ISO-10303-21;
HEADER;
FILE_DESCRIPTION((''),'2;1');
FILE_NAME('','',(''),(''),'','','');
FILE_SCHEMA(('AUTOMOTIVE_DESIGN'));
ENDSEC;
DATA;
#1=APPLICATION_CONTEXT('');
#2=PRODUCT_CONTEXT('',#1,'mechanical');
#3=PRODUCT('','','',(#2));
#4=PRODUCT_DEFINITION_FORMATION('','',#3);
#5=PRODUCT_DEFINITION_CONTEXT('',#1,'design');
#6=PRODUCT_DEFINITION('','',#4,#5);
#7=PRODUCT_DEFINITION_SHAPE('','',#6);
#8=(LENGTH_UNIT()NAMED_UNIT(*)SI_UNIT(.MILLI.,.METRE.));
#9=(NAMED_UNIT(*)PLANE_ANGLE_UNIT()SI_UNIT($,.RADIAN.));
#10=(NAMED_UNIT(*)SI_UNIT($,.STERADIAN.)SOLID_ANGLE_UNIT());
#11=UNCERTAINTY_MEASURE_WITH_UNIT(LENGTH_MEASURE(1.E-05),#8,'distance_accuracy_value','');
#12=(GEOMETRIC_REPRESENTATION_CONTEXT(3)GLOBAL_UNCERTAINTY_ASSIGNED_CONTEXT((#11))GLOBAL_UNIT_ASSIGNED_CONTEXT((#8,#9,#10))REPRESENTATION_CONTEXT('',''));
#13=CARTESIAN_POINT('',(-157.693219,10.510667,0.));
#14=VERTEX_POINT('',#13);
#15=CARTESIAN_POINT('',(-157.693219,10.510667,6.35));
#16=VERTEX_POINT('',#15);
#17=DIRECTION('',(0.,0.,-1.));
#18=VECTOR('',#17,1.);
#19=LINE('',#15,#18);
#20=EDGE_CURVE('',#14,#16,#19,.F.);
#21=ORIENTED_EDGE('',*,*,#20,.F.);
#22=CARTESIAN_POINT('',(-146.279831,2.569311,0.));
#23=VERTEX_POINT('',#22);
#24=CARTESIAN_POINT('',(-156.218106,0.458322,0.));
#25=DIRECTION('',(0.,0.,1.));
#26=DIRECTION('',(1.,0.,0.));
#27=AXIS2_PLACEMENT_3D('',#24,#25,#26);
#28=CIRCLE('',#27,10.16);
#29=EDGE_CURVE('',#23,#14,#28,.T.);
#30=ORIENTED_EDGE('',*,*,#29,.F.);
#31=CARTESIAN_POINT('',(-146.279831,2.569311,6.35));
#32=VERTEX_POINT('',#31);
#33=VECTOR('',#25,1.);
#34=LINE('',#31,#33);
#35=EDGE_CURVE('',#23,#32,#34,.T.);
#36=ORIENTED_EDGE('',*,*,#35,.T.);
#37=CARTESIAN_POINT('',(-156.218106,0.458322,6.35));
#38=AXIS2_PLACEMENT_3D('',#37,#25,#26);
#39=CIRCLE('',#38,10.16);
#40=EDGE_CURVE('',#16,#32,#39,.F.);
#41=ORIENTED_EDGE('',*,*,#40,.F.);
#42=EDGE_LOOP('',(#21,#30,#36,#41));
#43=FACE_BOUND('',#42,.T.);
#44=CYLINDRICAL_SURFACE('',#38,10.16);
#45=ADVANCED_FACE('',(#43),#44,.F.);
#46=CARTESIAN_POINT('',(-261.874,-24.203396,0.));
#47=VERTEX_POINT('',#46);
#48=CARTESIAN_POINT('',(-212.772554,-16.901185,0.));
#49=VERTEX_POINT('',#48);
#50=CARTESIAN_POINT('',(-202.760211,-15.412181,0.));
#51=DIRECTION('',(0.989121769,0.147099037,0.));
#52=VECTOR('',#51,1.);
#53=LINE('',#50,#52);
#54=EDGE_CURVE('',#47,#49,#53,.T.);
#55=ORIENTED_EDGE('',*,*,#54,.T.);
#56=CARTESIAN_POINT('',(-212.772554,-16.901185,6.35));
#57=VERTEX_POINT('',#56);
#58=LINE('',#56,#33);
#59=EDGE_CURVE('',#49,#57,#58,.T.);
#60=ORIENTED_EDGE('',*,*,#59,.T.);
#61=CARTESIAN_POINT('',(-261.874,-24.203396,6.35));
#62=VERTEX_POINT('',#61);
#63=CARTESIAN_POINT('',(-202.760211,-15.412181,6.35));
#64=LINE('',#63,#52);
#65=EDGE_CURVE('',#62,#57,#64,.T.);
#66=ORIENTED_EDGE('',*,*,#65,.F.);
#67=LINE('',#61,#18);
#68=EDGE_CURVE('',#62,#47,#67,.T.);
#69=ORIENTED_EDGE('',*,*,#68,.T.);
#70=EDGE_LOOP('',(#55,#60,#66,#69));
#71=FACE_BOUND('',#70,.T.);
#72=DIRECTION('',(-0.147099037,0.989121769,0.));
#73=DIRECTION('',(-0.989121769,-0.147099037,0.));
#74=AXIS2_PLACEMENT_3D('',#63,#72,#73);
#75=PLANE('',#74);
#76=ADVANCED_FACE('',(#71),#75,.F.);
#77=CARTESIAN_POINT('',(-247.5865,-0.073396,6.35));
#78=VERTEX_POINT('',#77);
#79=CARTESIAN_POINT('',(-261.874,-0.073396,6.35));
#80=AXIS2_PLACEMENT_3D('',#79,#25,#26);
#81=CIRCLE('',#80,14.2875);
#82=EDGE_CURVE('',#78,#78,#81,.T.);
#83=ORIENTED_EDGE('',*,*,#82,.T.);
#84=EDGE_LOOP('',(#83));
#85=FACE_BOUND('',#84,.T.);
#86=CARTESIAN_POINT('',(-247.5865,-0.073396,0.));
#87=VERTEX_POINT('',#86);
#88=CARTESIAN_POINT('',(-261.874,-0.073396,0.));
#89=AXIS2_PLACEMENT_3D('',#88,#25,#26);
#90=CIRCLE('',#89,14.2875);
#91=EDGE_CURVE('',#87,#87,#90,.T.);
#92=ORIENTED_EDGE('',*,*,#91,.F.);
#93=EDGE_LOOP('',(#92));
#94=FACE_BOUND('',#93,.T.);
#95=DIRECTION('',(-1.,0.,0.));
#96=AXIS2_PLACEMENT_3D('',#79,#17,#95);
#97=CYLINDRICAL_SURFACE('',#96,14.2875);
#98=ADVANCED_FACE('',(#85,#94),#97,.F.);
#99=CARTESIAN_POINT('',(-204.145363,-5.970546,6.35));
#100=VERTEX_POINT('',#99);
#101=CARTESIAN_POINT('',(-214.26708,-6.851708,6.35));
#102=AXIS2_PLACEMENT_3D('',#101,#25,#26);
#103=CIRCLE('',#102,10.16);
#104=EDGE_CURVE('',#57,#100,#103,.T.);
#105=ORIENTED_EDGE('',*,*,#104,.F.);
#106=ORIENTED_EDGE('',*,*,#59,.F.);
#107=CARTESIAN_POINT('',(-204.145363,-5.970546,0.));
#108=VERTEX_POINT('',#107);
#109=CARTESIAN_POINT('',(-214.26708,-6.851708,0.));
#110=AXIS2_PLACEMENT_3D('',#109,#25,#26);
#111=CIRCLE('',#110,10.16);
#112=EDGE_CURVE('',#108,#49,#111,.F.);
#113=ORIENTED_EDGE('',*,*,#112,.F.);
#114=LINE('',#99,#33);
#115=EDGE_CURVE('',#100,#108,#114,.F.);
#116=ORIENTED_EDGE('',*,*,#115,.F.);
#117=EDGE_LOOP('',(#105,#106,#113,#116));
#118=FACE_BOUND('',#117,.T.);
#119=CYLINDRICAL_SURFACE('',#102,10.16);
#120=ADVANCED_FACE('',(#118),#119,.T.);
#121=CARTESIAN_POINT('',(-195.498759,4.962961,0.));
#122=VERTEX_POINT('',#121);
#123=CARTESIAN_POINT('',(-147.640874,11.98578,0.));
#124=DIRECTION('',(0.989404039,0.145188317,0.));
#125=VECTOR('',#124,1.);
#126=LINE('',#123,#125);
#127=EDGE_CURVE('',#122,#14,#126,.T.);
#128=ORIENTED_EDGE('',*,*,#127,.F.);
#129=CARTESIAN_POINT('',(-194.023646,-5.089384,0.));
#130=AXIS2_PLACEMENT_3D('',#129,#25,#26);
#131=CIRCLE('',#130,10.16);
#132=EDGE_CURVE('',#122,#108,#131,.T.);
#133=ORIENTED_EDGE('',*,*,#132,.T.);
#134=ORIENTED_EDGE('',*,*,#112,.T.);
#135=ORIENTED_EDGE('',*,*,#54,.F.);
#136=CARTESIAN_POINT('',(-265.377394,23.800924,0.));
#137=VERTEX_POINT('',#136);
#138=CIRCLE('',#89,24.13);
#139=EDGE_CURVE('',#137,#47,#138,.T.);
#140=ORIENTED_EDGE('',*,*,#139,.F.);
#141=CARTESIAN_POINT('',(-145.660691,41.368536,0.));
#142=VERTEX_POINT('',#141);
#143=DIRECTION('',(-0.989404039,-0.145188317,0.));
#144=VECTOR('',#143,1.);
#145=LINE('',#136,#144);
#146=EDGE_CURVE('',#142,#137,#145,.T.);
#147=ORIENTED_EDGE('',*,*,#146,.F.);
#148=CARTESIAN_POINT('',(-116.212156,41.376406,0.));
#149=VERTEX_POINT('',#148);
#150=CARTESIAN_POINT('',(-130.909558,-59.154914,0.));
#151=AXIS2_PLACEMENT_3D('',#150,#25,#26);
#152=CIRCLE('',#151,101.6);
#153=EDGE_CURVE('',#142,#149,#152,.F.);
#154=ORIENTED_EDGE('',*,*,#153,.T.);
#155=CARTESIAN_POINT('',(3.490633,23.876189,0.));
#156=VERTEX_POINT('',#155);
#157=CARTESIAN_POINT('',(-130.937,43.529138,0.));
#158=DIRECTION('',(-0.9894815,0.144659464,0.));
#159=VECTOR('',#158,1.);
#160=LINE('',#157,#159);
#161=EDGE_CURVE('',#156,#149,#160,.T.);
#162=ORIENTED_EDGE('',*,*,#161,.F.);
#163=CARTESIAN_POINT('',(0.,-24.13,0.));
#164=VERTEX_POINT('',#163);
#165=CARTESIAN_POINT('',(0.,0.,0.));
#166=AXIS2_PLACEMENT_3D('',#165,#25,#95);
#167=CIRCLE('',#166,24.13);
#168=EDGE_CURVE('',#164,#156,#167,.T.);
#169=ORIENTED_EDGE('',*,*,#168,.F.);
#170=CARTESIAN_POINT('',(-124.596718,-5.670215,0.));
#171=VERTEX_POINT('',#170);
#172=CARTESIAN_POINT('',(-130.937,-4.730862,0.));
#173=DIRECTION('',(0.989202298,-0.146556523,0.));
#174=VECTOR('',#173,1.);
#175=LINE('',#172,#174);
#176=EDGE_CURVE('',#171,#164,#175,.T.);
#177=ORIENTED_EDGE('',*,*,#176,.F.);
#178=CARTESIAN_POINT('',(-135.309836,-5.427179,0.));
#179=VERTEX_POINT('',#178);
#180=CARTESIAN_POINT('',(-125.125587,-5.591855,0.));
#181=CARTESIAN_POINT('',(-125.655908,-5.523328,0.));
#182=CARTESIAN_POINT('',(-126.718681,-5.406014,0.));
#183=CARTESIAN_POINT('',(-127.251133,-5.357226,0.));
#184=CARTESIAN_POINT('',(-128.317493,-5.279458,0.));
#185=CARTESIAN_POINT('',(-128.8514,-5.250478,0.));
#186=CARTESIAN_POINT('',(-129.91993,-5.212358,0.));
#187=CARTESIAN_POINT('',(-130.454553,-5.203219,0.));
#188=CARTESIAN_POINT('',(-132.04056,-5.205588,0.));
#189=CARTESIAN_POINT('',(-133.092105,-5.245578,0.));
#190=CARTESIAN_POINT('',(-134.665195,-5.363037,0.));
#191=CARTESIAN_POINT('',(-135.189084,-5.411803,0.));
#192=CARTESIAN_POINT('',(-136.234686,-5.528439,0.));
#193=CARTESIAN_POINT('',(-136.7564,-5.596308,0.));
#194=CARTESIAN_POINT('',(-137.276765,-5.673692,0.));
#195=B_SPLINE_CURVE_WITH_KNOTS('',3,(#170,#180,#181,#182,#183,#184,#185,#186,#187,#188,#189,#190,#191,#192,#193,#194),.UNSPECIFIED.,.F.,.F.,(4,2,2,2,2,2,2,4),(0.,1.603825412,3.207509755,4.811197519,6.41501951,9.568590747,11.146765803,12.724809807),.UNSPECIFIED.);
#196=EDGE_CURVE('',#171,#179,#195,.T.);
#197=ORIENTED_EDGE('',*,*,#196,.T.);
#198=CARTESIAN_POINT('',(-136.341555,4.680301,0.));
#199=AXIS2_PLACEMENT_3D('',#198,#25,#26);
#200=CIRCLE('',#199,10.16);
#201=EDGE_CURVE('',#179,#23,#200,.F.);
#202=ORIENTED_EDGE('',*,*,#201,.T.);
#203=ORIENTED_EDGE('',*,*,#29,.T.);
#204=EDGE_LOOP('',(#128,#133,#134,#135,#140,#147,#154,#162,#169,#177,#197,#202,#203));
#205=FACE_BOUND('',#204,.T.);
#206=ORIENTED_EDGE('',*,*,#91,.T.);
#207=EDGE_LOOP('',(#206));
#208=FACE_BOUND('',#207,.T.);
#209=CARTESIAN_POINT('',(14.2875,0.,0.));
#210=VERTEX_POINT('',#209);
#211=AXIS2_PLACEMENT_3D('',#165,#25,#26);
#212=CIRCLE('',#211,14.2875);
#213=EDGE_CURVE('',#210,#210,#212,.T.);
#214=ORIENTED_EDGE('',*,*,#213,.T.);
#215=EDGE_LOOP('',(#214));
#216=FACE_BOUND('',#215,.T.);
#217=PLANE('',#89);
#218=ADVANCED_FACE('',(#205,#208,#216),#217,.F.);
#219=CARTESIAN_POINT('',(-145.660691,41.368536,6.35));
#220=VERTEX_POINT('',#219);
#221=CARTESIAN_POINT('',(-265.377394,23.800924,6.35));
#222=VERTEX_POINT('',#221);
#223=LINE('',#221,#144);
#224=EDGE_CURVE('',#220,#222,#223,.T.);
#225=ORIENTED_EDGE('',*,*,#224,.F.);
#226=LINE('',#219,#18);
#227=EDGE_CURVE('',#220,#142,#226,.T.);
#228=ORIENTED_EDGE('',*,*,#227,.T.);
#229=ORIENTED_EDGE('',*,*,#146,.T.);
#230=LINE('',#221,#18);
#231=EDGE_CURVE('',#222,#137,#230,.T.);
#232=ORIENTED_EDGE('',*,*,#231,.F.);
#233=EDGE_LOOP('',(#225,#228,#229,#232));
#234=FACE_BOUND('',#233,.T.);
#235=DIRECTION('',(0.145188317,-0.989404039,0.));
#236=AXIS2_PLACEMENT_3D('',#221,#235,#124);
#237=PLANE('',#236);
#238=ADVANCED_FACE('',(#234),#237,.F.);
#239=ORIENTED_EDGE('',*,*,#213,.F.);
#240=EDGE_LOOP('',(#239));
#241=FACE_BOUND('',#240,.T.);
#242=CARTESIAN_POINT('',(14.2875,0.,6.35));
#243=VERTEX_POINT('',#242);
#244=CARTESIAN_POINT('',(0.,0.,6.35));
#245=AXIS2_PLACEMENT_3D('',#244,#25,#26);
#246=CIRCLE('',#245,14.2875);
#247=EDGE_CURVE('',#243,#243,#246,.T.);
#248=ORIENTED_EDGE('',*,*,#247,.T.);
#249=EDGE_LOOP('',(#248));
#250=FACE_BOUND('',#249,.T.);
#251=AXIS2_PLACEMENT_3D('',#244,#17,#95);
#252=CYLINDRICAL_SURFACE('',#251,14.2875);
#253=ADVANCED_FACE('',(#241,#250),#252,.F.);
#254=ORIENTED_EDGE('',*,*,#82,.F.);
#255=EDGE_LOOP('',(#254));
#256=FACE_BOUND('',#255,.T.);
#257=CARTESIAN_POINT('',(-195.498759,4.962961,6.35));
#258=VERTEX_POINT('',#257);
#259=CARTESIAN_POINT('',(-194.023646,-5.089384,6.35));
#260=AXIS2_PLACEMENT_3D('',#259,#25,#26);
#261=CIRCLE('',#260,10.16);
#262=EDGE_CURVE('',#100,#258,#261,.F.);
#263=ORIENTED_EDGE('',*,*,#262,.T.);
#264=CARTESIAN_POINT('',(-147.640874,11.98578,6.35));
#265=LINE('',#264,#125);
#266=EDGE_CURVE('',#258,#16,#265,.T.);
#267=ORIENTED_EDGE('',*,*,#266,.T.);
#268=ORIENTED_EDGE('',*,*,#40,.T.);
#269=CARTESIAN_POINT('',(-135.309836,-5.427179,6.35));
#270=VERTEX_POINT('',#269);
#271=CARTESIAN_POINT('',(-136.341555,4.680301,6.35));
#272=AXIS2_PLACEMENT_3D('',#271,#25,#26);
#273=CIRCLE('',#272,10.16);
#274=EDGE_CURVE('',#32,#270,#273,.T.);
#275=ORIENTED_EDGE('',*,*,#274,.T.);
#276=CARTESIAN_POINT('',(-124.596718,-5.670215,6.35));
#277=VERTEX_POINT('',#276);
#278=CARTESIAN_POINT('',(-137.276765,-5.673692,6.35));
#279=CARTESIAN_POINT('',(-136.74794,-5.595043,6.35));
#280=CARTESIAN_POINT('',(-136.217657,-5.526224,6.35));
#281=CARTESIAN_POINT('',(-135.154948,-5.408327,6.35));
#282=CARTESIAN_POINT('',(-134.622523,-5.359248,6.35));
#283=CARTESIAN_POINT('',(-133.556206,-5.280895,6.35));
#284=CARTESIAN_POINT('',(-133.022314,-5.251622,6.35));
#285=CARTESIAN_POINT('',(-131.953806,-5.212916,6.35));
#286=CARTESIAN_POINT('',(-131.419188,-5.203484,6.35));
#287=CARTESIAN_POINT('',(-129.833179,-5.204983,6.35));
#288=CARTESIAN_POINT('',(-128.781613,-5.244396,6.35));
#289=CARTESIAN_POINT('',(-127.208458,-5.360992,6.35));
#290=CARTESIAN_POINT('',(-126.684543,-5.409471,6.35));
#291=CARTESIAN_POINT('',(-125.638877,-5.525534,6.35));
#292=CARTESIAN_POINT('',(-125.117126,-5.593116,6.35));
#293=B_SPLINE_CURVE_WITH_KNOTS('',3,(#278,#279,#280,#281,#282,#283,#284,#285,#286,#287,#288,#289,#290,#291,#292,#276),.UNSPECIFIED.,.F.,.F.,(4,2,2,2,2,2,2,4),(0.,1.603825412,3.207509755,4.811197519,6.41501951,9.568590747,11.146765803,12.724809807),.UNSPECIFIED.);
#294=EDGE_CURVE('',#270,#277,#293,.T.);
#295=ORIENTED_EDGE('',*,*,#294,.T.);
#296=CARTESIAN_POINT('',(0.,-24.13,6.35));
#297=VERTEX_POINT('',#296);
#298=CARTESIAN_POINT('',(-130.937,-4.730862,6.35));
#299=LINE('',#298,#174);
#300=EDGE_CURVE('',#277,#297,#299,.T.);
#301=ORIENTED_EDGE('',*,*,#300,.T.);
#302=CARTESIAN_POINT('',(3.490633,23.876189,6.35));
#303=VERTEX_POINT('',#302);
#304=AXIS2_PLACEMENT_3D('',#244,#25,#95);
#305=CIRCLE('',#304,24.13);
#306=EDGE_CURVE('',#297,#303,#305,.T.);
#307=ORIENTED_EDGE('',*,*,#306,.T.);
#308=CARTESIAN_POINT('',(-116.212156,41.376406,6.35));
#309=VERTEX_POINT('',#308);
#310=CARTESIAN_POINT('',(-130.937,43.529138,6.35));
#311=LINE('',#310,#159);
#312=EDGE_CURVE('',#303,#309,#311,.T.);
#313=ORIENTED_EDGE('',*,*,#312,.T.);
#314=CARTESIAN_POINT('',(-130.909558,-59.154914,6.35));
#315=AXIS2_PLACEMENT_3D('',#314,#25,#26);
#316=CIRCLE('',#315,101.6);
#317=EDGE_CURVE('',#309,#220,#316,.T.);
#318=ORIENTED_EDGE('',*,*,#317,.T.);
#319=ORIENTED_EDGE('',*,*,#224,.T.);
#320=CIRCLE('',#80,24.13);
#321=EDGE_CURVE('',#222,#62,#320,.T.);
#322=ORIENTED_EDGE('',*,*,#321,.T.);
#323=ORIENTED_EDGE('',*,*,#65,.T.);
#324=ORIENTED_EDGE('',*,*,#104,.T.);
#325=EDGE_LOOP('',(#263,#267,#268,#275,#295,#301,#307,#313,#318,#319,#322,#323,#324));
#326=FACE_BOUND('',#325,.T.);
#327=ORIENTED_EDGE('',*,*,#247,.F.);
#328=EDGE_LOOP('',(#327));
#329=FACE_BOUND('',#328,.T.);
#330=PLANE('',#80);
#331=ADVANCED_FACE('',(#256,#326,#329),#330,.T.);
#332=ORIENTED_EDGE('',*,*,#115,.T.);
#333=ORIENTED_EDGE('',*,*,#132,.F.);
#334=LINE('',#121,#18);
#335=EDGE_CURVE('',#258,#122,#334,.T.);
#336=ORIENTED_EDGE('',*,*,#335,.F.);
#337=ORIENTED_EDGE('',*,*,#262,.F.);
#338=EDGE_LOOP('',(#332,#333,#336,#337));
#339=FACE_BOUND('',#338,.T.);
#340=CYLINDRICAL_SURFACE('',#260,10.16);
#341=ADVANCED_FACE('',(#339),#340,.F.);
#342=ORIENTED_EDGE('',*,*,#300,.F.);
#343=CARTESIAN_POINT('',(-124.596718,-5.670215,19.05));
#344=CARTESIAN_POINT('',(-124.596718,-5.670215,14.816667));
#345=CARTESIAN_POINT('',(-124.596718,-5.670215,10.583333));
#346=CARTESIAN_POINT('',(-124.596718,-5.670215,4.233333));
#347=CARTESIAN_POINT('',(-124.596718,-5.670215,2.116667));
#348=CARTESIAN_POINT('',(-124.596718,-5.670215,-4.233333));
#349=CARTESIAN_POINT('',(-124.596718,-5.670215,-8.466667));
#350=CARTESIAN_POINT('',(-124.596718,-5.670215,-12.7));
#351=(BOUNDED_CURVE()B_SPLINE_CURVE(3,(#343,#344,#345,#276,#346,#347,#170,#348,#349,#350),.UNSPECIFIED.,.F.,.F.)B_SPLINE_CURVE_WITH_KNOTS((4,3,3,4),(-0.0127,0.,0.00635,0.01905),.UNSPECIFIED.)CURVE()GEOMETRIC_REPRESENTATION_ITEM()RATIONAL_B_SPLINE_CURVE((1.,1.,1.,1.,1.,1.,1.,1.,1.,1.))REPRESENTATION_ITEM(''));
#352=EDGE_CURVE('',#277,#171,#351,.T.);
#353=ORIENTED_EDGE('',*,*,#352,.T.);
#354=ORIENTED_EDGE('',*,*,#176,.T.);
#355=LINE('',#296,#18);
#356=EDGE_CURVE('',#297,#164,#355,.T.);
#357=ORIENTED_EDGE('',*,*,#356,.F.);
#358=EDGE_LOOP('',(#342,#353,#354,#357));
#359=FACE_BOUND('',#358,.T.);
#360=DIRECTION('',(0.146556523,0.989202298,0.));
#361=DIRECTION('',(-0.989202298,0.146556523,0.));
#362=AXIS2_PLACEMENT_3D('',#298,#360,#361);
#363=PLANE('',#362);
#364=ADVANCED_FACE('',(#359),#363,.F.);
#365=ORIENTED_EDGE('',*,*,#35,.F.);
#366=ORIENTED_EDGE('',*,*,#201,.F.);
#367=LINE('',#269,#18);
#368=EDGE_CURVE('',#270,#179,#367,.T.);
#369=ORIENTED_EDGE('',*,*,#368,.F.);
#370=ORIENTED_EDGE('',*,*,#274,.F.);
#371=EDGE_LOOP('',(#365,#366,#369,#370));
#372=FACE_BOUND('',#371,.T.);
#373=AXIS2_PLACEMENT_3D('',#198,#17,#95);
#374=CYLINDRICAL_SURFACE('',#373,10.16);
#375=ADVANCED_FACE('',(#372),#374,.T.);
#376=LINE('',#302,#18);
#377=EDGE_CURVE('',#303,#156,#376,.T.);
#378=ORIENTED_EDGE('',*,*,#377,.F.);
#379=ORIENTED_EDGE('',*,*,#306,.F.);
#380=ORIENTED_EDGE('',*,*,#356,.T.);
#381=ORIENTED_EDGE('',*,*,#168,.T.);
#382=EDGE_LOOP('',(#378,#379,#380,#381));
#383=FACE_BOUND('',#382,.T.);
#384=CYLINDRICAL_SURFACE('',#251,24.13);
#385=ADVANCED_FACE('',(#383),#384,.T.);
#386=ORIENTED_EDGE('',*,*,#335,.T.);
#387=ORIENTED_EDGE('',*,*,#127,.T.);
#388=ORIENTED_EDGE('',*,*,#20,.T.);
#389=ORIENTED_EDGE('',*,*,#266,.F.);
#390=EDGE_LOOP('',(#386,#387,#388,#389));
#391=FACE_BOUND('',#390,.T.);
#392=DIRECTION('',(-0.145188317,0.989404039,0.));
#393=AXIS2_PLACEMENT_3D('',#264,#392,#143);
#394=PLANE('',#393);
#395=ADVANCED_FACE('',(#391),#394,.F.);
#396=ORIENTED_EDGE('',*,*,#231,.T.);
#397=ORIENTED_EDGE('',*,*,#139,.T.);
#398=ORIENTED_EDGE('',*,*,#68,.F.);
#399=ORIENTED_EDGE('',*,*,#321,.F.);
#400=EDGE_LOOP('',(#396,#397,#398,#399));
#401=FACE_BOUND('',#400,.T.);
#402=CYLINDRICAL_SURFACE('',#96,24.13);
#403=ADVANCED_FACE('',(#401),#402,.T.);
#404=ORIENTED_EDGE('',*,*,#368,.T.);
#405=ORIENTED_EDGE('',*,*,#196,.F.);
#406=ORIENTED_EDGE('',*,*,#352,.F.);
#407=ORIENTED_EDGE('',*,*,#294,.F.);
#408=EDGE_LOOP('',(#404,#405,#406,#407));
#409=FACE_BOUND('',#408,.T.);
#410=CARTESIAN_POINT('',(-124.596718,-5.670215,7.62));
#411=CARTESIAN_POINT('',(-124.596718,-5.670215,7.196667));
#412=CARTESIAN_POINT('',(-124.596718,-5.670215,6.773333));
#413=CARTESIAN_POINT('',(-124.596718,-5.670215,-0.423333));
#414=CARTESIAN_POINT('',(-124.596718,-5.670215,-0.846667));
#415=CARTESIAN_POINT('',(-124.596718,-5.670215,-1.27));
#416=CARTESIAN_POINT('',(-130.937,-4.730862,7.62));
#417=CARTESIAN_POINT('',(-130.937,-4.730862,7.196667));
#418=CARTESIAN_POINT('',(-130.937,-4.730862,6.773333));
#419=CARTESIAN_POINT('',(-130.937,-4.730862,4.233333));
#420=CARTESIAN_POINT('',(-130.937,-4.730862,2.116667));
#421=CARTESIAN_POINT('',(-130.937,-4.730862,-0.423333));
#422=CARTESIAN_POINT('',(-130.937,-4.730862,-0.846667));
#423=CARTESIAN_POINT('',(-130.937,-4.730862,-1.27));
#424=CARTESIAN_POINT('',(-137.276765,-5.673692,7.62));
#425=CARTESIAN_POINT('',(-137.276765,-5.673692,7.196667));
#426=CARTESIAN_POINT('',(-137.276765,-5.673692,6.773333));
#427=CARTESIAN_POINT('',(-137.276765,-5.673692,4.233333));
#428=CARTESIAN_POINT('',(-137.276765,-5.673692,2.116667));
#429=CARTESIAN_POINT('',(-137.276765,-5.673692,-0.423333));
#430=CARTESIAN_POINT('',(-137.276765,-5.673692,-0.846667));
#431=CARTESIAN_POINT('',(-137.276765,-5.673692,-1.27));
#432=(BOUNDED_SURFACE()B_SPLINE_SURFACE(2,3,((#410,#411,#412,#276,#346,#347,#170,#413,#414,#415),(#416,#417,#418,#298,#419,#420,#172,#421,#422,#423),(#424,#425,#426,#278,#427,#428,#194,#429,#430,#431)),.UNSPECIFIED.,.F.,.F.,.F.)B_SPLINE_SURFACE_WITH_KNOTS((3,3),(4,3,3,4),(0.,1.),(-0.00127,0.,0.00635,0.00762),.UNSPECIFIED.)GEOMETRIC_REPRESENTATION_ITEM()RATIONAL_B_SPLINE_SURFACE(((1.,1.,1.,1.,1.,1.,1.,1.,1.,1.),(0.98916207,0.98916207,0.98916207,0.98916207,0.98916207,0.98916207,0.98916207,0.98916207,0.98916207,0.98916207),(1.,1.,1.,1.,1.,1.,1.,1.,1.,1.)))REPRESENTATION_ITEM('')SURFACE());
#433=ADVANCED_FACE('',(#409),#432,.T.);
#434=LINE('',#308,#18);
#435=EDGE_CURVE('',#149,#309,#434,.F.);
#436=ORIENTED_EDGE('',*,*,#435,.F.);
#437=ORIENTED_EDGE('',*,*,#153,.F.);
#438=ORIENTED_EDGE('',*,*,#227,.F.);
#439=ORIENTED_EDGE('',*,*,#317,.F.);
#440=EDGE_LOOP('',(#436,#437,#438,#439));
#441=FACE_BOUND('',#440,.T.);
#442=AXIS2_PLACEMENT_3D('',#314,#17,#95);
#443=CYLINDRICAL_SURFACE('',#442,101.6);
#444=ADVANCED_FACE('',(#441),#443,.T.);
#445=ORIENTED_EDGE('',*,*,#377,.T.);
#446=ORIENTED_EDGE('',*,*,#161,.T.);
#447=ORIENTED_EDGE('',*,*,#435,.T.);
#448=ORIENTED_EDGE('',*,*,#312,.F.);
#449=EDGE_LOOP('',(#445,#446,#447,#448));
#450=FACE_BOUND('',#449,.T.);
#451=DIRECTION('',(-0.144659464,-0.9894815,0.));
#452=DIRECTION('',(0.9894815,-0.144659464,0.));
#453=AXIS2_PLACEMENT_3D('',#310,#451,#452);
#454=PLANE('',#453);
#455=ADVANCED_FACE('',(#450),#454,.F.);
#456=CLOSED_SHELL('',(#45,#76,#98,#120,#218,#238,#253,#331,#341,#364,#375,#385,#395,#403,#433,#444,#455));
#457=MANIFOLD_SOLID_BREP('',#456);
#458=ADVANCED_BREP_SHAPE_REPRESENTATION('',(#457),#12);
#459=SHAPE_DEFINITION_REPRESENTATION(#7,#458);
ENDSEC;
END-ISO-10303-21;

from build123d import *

# Parameters (mm, degrees)
SKETCH1_R           = 14.2875
BOSS_EXTRUDE1_DEPTH = 6.35
FILLET2_R           = 101.6
FILLET4_R           = 10.16
FILLET5_R           = 10.16
FILLET6_R           = 10.16
FILLET7_R           = 43.18
FILLET8_R           = 10.16


with BuildPart() as part:
    # Sketch1 → Boss-Extrude1 (new body)
    with BuildSketch(Plane.XY):
        with BuildLine():
            Line((-265.377394078, 23.800923648), (-130.937, 43.529137522))
            Line((-130.937, 43.529137522), (3.490632878, 23.876188601))
            ThreePointArc((3.490632878, 23.876188601), (24.066463502, -1.749924149), (0, -24.13))
            Line((0, -24.13), (-130.937, -4.730862478))
            Line((-130.937, -4.730862478), (-144.883464555, -6.804936239))
            Line((-144.883464555, -6.804936239), (-147.640874452, 11.985780223))
            Line((-147.640874452, 11.985780223), (-205.570538861, 3.484995791))
            Line((-205.570538861, 3.484995791), (-202.760210881, -15.412181497))
            Line((-202.760210881, -15.412181497), (-261.874, -24.203395818))
            ThreePointArc((-261.874, -24.203395818), (-285.939994979, -1.829751605), (-265.377394078, 23.800923648))
        make_face()
        with Locations((-261.874, -0.073395818)):
            Circle(SKETCH1_R, mode=Mode.SUBTRACT)
        Circle(SKETCH1_R, mode=Mode.SUBTRACT)
    extrude(amount=BOSS_EXTRUDE1_DEPTH)

    # Fillet2
    fillet2_edges = [part.edges().sort_by_distance(p)[0] for p in [
        (-130.937, 43.529137522, 3.175),
    ]]
    fillet(fillet2_edges, radius=FILLET2_R)

    # Fillet4
    fillet4_edges = [part.edges().sort_by_distance(p)[0] for p in [
        (-147.640874452, 11.985780223, 3.175),
    ]]
    fillet(fillet4_edges, radius=FILLET4_R)

    # Fillet5
    fillet5_edges = [part.edges().sort_by_distance(p)[0] for p in [
        (-205.570538861, 3.484995791, 3.175),
    ]]
    fillet(fillet5_edges, radius=FILLET5_R)

    # Fillet6
    fillet6_edges = [part.edges().sort_by_distance(p)[0] for p in [
        (-202.760210881, -15.412181497, 3.175),
    ]]
    fillet(fillet6_edges, radius=FILLET6_R)

    # Fillet7
    fillet7_edges = [part.edges().sort_by_distance(p)[0] for p in [
        (-130.937, -4.730862478, 3.175),
    ]]
    fillet(fillet7_edges, radius=FILLET7_R)

    # Fillet8
    fillet8_edges = [part.edges().sort_by_distance(p)[0] for p in [
        (-144.883464555, -6.804936239, 3.175),
    ]]
    fillet(fillet8_edges, radius=FILLET8_R)


solid = part.part
